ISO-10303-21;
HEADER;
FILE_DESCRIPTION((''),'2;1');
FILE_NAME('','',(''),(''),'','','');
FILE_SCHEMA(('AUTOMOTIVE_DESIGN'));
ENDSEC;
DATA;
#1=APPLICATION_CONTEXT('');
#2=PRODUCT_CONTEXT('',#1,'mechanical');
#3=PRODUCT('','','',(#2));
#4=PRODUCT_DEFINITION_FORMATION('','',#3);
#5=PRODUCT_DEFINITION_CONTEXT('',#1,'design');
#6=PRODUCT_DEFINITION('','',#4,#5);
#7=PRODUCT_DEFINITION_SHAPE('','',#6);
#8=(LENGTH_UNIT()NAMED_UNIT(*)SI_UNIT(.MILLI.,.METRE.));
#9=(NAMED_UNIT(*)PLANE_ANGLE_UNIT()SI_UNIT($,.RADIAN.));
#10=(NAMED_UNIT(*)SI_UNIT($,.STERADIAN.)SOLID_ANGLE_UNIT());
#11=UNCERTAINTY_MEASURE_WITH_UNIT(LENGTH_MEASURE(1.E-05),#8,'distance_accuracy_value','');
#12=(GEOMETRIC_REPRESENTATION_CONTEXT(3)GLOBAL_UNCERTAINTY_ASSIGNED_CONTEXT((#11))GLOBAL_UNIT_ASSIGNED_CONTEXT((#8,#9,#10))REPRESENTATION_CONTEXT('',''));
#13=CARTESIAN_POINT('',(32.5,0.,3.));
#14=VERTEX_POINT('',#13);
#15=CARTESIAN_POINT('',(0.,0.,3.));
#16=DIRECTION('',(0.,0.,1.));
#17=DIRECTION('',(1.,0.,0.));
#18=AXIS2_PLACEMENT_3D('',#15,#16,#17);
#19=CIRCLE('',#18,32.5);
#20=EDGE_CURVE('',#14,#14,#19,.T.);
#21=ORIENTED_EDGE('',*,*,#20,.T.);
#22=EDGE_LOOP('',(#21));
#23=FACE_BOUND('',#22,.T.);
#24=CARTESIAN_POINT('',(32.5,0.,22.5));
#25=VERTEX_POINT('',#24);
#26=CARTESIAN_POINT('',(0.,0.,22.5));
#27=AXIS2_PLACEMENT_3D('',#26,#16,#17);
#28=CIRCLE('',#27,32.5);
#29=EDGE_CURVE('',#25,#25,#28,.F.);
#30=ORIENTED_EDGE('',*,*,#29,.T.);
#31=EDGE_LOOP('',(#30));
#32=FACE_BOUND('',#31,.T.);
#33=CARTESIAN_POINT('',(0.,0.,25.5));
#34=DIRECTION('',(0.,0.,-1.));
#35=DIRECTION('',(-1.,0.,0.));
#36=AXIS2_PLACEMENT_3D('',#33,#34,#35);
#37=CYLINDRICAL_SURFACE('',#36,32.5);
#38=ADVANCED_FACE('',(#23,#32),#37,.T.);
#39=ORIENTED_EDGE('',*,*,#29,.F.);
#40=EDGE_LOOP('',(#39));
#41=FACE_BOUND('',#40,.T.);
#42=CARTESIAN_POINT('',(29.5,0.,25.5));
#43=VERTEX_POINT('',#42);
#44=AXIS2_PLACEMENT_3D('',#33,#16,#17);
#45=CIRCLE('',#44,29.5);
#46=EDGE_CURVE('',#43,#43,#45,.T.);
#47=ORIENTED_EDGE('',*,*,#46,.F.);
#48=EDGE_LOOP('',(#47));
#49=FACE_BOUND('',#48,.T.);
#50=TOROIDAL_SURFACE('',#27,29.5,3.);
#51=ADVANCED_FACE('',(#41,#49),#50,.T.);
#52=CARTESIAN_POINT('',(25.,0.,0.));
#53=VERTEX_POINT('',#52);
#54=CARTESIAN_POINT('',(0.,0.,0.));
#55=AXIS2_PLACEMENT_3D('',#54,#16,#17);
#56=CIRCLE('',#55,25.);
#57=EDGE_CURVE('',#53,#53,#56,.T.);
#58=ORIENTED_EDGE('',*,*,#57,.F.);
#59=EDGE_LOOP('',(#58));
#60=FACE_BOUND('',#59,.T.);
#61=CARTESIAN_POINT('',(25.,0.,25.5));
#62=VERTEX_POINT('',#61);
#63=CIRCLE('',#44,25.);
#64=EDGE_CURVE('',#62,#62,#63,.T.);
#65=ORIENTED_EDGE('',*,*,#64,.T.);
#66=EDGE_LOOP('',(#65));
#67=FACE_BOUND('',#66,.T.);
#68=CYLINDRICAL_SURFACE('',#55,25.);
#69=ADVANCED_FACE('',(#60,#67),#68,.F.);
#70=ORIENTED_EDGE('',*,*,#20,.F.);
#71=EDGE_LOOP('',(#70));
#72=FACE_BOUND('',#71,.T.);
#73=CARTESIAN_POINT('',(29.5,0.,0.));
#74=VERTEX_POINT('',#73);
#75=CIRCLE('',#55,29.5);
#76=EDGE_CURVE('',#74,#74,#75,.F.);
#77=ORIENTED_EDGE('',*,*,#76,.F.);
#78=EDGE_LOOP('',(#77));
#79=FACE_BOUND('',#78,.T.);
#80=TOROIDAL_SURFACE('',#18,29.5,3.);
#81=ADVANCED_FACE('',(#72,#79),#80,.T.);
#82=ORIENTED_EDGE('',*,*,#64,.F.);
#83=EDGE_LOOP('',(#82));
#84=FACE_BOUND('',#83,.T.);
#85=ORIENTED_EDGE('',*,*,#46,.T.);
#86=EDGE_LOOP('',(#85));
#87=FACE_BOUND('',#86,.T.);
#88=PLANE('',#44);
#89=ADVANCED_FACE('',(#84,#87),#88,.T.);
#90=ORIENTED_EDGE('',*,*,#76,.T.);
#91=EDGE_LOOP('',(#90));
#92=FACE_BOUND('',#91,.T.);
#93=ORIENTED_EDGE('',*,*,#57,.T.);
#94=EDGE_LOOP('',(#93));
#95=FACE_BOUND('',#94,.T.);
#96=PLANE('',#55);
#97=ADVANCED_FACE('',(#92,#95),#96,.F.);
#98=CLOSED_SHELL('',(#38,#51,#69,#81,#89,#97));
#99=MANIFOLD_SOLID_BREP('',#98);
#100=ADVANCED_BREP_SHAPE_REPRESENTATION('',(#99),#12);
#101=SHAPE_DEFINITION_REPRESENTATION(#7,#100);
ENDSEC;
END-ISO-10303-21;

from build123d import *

# Parameters (mm, degrees)
SKETCH_1_R               = 32.5
EXTRUDE_1_DEPTH          = 25.5
CUT_EXTRUDE_1_DEPTH      = 53.561868308
CUT_EXTRUDE_1_DEPTH_BACK = 53.561868308
SKETCH_2_R               = 25
FILLET_1_R               = 3
FILLET_2_R               = 3


with BuildPart() as part:
    # 草图1 → 凸台-拉伸1 (new body)
    with BuildSketch(Plane.XY):
        Circle(SKETCH_1_R)
    extrude(amount=EXTRUDE_1_DEPTH)

    # 草图2 → 切除-拉伸1 (cut, two sides: drawn at the far end of the back side and taken through both)
    with BuildSketch(Plane.XY.offset(25.5).offset(-CUT_EXTRUDE_1_DEPTH_BACK)):
        Circle(SKETCH_2_R)
    extrude(amount=CUT_EXTRUDE_1_DEPTH + CUT_EXTRUDE_1_DEPTH_BACK, mode=Mode.SUBTRACT)

    # 圆角1
    fillet_1_edges = [part.edges().sort_by_distance(p)[0] for p in [
        (-32.5, 0, 25.5),
    ]]
    fillet(fillet_1_edges, radius=FILLET_1_R)

    # 圆角2
    fillet_2_edges = [part.edges().sort_by_distance(p)[0] for p in [
        (-32.5, 0, 0),
    ]]
    fillet(fillet_2_edges, radius=FILLET_2_R)


solid = part.part
